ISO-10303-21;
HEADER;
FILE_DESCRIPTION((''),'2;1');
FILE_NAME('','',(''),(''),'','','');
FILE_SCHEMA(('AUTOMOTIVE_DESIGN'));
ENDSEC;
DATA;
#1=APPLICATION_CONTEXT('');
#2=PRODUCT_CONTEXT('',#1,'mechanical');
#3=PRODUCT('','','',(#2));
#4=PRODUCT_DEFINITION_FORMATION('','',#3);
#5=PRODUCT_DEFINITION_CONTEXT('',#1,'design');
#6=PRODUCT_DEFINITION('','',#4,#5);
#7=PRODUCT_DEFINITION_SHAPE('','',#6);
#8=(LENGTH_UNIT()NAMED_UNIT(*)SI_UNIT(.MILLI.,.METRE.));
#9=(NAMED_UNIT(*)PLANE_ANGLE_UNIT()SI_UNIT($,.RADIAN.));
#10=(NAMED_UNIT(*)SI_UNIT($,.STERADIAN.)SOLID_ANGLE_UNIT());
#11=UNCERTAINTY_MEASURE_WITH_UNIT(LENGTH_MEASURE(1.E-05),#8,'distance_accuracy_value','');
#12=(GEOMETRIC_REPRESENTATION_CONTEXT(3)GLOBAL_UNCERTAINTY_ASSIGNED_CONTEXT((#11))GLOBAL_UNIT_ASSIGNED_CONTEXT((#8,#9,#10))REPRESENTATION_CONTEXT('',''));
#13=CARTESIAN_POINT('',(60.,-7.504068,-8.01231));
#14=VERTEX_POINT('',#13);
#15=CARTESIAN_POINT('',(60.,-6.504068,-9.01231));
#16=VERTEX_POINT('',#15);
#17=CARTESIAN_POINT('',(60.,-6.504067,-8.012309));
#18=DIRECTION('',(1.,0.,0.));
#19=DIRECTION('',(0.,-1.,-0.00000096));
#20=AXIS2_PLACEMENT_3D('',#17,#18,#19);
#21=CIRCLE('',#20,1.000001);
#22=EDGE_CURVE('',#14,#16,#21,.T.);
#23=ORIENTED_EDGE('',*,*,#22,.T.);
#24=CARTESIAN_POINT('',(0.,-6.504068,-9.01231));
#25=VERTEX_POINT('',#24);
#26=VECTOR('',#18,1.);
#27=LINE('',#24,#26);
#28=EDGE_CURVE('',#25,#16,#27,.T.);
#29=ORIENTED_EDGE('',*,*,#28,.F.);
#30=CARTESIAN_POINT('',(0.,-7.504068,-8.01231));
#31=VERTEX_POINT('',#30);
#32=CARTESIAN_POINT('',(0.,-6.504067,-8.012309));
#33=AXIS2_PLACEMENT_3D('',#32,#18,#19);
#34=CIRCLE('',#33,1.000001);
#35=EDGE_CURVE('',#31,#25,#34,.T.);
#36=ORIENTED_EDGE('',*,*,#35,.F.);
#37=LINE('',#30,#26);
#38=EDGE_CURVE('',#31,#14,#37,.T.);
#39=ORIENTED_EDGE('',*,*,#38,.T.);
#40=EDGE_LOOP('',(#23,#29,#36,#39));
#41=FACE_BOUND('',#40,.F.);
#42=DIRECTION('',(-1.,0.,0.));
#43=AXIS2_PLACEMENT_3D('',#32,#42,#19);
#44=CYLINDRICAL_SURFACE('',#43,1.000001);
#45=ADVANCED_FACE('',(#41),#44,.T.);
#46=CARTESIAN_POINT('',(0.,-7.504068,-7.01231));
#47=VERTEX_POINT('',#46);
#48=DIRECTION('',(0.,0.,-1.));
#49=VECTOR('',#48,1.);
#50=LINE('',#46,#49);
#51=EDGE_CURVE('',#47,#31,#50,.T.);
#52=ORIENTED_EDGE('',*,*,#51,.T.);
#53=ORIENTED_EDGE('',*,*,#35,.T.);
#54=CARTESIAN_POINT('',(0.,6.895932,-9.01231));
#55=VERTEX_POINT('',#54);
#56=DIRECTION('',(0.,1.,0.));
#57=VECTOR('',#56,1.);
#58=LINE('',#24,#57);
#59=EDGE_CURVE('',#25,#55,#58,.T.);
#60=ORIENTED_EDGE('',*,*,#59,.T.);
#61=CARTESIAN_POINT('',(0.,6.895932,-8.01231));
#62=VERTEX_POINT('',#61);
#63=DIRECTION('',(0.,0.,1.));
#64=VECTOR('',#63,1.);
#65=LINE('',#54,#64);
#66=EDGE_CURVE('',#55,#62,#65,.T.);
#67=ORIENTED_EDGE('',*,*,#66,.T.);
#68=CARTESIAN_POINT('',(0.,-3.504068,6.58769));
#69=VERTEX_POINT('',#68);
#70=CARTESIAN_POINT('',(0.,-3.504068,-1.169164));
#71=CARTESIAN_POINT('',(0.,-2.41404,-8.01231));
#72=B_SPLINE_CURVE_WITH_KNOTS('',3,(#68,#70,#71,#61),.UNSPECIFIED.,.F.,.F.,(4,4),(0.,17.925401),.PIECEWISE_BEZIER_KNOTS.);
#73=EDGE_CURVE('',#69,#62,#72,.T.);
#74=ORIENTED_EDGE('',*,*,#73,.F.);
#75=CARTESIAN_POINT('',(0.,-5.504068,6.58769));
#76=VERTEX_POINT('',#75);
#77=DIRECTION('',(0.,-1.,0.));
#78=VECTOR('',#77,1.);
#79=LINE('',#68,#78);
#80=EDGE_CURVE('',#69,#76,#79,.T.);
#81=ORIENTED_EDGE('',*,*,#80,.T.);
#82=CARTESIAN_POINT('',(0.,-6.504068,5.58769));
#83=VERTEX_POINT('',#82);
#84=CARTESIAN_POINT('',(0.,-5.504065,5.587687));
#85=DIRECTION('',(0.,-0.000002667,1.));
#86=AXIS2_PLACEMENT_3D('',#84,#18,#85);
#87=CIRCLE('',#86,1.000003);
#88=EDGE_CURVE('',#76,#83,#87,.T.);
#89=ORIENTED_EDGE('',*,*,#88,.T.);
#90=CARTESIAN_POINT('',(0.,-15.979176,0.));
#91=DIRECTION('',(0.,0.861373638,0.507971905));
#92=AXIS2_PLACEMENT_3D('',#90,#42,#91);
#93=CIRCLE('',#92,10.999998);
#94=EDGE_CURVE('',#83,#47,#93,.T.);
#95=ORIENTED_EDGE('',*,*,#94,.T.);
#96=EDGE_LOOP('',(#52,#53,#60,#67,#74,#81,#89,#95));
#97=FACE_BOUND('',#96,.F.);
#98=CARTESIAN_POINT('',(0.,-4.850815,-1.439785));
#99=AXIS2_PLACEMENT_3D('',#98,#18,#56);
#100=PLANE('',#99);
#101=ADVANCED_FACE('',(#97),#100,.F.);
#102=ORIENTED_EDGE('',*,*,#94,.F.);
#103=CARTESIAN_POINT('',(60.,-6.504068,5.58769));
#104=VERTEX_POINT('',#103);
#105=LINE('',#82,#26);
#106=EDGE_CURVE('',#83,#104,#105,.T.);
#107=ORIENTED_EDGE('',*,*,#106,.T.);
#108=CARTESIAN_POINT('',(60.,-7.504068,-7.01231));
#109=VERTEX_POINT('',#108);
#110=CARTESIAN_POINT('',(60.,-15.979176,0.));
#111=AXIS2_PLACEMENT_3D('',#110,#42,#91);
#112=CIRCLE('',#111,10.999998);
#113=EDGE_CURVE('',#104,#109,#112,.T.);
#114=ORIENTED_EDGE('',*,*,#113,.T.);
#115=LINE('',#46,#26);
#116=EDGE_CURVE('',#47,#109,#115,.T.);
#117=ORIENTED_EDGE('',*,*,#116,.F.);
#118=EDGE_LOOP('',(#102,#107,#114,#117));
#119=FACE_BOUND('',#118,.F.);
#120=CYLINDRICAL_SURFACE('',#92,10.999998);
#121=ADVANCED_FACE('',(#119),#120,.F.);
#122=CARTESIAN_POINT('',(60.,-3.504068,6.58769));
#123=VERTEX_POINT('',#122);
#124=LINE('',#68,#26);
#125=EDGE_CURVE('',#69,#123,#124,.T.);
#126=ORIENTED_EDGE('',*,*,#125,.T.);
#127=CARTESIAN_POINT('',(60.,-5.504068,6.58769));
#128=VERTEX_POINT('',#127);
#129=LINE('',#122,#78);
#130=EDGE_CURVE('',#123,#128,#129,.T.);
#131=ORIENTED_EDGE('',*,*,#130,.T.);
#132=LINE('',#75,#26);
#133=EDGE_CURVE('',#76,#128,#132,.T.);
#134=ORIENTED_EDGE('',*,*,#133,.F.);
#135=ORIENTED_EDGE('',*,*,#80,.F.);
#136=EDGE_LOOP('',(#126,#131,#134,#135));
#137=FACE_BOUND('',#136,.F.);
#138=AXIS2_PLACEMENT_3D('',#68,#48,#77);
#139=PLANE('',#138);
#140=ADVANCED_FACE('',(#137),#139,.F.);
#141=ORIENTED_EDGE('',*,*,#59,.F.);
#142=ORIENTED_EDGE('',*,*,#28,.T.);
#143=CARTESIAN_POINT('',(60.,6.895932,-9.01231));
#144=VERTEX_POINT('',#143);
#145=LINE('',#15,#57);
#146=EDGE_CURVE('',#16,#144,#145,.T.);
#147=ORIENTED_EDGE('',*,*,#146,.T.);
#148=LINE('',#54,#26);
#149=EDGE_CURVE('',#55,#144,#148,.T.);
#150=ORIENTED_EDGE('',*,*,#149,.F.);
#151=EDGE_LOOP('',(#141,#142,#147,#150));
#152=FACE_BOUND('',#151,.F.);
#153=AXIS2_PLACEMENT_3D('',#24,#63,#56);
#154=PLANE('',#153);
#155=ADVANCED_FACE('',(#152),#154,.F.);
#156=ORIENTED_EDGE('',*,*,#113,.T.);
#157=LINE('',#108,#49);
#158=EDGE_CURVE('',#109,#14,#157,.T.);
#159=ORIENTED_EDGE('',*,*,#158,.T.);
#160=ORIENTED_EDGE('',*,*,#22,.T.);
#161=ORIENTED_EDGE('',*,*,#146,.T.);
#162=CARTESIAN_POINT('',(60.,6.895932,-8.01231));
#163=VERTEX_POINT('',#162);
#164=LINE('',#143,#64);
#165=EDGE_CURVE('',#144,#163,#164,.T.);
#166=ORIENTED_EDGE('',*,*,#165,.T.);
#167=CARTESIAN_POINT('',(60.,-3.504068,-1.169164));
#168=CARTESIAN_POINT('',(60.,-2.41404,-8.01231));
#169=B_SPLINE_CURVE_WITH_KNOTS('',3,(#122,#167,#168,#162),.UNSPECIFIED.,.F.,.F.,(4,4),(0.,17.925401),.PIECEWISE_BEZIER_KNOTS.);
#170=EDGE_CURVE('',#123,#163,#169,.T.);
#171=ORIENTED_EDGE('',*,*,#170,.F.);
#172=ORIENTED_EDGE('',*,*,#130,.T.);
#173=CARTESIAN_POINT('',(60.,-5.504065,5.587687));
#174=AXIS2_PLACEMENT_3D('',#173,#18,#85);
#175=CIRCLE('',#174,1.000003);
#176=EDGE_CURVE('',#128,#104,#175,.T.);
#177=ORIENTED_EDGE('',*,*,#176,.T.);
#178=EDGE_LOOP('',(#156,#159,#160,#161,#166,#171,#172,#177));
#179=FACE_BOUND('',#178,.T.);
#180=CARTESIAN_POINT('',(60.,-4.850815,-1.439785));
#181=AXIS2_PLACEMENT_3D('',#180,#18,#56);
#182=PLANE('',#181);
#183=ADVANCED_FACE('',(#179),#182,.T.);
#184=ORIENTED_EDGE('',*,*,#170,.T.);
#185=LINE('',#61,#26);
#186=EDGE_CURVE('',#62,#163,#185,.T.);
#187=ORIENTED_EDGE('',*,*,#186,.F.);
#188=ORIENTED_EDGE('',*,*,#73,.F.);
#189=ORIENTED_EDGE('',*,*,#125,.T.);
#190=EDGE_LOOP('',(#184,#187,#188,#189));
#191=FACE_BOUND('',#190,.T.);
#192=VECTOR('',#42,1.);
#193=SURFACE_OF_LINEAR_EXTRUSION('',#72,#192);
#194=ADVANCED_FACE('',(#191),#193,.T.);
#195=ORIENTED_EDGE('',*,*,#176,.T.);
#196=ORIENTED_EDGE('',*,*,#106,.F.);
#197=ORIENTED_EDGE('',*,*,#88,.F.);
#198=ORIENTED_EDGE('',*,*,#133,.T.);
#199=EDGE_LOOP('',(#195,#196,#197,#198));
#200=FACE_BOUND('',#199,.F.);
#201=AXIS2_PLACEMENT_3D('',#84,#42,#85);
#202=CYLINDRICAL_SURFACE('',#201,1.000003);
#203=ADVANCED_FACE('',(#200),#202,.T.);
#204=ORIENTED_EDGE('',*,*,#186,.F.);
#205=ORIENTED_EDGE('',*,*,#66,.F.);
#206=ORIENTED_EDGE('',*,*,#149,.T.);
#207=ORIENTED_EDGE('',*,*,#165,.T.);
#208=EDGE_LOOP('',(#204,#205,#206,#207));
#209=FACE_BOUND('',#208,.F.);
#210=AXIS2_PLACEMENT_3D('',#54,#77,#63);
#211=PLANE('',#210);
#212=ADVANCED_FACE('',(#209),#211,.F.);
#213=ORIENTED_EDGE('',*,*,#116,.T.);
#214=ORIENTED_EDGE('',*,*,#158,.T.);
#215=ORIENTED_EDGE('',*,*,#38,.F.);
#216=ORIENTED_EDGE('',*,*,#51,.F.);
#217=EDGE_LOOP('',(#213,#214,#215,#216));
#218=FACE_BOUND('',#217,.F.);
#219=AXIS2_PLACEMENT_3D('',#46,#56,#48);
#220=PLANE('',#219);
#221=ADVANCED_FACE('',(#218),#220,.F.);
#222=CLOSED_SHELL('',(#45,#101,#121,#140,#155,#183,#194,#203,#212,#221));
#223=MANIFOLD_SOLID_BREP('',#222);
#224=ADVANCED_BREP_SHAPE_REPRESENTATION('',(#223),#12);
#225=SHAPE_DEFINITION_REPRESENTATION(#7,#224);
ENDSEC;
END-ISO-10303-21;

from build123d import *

# Parameters (mm, degrees)
F1_DEPTH = 60


with BuildPart() as f1:
    # F0 (on Right) → F1 (new body)
    with BuildSketch(Plane.YZ):
        with BuildLine():
            Line((-3.504068, -8.01231), (-3.504068, 6.58769))
            Line((-3.504068, 6.58769), (-5.504068, 6.58769))
            ThreePointArc((-5.504068, 6.58769), (-6.211174, 6.294796), (-6.504068, 5.58769))
            ThreePointArc((-6.504068, 5.58769), (-5.013659, -0.870279), (-7.504068, -7.01231))
            Line((-7.504068, -7.01231), (-7.504068, -8.01231))
            ThreePointArc((-7.504068, -8.01231), (-7.211174, -8.719417), (-6.504068, -9.01231))
            Line((-6.504068, -9.01231), (-3.504068, -9.01231))
            Line((-3.504068, -9.01231), (-3.504068, -8.01231))
        make_face()
        with BuildLine():
            add(Edge.make_bspline(
                [(-3.504068, 6.58769), (-3.504068, -1.169164), (-2.41404, -8.01231), (6.895932, -8.01231)],
                knots=[0, 0, 0, 0, 17.925401, 17.925401, 17.925401, 17.925401], degree=3))
            Line((-3.504068, 6.58769), (-3.504068, -8.01231))
            Line((-3.504068, -8.01231), (-3.504068, -9.01231))
            Line((-3.504068, -9.01231), (6.895932, -9.01231))
            Line((6.895932, -9.01231), (6.895932, -8.01231))
        make_face()
    extrude(amount=F1_DEPTH)


solid = f1.part
